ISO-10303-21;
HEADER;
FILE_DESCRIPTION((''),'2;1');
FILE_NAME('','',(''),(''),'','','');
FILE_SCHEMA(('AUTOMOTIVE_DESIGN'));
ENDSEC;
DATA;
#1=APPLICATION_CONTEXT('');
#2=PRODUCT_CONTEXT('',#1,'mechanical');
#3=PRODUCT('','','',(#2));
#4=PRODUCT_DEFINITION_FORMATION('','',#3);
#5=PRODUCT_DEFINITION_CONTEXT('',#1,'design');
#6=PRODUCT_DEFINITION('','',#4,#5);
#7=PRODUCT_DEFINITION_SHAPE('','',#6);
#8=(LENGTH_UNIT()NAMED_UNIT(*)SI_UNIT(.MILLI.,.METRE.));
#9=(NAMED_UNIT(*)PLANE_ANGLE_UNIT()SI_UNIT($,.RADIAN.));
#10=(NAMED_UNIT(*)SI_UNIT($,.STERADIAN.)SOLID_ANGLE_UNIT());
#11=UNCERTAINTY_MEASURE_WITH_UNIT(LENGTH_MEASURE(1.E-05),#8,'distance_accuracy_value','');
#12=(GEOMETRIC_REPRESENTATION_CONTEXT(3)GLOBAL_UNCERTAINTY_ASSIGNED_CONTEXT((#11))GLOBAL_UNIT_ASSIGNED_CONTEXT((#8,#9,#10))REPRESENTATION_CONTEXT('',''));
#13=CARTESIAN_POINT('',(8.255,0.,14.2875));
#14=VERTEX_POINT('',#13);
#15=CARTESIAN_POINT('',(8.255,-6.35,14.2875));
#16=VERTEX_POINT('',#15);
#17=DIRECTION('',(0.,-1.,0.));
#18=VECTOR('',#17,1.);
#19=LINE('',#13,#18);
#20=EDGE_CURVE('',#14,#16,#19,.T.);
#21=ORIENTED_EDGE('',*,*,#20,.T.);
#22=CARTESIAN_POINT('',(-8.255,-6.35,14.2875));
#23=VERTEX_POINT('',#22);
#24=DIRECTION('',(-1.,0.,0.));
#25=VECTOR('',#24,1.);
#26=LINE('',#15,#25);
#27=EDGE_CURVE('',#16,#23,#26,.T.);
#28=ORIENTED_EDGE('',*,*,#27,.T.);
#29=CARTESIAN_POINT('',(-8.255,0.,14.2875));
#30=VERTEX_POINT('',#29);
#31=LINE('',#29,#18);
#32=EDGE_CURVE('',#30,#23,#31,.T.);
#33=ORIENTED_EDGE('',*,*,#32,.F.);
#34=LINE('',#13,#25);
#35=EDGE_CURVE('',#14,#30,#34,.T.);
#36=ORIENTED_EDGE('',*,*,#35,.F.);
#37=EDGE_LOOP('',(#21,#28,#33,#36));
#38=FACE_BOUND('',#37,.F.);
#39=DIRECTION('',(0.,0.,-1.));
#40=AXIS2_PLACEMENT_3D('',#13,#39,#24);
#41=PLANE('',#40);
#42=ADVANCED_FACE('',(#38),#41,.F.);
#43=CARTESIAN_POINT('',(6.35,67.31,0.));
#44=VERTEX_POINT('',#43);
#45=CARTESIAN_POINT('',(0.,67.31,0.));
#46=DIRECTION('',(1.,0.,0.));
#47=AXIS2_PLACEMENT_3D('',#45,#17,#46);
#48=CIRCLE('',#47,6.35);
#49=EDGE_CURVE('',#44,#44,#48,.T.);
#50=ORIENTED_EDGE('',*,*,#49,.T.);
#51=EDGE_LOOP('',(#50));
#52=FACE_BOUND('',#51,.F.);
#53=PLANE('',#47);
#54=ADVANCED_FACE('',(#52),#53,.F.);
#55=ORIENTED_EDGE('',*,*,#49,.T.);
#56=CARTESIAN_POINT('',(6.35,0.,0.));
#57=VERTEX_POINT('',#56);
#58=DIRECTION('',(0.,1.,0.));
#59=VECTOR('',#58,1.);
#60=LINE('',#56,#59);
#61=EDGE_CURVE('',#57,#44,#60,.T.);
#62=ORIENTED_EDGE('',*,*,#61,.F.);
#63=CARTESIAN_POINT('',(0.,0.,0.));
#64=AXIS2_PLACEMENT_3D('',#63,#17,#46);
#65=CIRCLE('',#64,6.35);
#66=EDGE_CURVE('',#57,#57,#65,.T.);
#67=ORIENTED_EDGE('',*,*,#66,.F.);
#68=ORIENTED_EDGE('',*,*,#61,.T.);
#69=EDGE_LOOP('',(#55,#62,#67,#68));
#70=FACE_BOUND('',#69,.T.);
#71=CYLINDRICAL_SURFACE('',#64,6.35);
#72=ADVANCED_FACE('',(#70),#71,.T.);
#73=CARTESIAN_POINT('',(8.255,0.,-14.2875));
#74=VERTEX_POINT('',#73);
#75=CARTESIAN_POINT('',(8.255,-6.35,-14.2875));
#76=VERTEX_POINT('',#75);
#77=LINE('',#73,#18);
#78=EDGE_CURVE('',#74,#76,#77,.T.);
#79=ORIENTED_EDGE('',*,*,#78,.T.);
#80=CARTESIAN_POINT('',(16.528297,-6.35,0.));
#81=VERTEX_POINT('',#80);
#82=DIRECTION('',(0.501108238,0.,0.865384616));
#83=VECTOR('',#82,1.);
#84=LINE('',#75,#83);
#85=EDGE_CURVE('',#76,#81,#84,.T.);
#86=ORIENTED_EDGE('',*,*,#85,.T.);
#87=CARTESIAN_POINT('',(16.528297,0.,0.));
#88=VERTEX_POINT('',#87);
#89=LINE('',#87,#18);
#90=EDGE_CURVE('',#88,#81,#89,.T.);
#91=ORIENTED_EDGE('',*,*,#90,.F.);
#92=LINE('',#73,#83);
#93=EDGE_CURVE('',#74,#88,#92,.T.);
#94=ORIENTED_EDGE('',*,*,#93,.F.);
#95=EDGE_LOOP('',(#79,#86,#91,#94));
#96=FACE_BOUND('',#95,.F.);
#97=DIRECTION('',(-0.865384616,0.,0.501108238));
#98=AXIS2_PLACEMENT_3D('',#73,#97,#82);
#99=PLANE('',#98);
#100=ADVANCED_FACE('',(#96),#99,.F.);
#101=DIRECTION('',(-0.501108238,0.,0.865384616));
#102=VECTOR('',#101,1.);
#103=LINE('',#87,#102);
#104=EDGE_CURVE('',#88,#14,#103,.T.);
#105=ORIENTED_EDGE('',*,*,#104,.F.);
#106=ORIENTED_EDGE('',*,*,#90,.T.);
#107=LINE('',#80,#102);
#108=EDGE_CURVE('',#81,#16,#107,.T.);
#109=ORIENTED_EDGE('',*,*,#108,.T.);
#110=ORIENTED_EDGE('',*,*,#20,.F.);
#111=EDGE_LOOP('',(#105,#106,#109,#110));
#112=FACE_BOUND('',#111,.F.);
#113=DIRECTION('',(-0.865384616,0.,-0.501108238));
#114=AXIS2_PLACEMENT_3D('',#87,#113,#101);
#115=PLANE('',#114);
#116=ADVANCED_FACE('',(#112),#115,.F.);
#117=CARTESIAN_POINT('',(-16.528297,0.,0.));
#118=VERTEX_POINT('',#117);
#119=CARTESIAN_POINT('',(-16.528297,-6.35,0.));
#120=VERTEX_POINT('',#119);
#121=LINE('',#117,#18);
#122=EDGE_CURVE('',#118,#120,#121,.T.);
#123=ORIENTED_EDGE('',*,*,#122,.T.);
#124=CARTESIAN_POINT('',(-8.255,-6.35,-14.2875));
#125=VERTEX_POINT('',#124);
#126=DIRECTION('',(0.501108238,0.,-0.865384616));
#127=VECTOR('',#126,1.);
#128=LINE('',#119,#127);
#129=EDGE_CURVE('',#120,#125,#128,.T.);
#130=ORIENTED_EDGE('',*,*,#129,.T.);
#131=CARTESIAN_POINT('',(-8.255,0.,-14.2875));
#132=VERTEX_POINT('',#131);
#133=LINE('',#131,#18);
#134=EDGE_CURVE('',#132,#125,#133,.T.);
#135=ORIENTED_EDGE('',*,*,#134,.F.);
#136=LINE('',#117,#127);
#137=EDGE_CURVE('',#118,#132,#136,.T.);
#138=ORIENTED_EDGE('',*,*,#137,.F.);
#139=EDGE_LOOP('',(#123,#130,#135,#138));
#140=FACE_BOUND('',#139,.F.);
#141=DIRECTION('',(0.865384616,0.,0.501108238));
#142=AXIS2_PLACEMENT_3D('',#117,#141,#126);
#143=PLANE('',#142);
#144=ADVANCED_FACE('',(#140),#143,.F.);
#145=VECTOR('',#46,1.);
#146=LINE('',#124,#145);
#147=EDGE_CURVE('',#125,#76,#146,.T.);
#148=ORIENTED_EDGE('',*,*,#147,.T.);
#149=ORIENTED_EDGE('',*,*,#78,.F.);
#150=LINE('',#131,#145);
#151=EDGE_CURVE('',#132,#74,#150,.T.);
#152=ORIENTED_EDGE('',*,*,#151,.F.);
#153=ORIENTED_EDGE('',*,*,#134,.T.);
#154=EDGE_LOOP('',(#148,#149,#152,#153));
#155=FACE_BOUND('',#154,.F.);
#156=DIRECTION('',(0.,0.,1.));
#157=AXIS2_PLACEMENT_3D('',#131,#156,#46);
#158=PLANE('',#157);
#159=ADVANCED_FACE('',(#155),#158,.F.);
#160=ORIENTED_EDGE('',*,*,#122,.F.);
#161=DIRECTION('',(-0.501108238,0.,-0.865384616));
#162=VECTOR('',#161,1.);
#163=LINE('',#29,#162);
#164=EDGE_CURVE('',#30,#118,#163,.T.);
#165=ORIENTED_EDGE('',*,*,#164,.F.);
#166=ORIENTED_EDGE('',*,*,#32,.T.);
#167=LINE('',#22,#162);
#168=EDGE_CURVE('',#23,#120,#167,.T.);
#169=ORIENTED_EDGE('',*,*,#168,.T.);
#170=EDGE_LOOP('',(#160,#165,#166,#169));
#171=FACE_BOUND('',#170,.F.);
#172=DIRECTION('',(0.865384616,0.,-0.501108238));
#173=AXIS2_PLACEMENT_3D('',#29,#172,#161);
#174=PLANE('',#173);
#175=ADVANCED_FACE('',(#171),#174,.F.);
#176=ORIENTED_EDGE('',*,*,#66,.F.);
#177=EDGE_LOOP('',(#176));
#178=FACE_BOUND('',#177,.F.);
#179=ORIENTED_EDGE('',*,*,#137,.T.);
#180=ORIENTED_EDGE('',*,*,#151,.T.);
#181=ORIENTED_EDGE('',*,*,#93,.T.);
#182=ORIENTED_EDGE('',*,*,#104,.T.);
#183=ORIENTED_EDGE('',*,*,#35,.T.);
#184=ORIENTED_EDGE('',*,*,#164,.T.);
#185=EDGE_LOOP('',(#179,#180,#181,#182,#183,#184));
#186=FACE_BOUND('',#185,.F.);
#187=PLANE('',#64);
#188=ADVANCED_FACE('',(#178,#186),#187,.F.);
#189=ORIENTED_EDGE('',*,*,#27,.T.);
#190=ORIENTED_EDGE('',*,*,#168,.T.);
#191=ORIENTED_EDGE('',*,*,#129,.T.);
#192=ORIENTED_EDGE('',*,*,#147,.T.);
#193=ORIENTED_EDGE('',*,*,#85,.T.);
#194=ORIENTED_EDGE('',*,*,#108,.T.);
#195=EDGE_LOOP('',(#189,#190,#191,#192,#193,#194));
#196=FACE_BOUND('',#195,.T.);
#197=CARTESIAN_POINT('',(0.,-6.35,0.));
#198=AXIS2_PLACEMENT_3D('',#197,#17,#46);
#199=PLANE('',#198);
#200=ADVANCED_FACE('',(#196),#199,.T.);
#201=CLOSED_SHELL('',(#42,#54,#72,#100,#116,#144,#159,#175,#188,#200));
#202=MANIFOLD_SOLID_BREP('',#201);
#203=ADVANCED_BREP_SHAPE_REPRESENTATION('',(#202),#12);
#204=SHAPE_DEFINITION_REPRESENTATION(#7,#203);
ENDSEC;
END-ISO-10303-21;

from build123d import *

# Parameters (mm, degrees)
F0_R     = 6.35
F1_DEPTH = 67.31
F3_DEPTH = 6.35


with BuildPart() as f1:
    # F0 (on Front) → F1 (new body)
    with BuildSketch(Plane.XZ):
        Circle(F0_R)
    extrude(amount=-F1_DEPTH)

    # F2 (on face) → F3 (join)
    with BuildSketch(Plane.XZ):
        Polygon((-8.255, 14.2875), (-16.528297, 0), (-8.255, -14.2875), (8.255, -14.2875), (16.528297, 0), (8.255, 14.2875), align=None)
    extrude(amount=F3_DEPTH)


solid = f1.part
